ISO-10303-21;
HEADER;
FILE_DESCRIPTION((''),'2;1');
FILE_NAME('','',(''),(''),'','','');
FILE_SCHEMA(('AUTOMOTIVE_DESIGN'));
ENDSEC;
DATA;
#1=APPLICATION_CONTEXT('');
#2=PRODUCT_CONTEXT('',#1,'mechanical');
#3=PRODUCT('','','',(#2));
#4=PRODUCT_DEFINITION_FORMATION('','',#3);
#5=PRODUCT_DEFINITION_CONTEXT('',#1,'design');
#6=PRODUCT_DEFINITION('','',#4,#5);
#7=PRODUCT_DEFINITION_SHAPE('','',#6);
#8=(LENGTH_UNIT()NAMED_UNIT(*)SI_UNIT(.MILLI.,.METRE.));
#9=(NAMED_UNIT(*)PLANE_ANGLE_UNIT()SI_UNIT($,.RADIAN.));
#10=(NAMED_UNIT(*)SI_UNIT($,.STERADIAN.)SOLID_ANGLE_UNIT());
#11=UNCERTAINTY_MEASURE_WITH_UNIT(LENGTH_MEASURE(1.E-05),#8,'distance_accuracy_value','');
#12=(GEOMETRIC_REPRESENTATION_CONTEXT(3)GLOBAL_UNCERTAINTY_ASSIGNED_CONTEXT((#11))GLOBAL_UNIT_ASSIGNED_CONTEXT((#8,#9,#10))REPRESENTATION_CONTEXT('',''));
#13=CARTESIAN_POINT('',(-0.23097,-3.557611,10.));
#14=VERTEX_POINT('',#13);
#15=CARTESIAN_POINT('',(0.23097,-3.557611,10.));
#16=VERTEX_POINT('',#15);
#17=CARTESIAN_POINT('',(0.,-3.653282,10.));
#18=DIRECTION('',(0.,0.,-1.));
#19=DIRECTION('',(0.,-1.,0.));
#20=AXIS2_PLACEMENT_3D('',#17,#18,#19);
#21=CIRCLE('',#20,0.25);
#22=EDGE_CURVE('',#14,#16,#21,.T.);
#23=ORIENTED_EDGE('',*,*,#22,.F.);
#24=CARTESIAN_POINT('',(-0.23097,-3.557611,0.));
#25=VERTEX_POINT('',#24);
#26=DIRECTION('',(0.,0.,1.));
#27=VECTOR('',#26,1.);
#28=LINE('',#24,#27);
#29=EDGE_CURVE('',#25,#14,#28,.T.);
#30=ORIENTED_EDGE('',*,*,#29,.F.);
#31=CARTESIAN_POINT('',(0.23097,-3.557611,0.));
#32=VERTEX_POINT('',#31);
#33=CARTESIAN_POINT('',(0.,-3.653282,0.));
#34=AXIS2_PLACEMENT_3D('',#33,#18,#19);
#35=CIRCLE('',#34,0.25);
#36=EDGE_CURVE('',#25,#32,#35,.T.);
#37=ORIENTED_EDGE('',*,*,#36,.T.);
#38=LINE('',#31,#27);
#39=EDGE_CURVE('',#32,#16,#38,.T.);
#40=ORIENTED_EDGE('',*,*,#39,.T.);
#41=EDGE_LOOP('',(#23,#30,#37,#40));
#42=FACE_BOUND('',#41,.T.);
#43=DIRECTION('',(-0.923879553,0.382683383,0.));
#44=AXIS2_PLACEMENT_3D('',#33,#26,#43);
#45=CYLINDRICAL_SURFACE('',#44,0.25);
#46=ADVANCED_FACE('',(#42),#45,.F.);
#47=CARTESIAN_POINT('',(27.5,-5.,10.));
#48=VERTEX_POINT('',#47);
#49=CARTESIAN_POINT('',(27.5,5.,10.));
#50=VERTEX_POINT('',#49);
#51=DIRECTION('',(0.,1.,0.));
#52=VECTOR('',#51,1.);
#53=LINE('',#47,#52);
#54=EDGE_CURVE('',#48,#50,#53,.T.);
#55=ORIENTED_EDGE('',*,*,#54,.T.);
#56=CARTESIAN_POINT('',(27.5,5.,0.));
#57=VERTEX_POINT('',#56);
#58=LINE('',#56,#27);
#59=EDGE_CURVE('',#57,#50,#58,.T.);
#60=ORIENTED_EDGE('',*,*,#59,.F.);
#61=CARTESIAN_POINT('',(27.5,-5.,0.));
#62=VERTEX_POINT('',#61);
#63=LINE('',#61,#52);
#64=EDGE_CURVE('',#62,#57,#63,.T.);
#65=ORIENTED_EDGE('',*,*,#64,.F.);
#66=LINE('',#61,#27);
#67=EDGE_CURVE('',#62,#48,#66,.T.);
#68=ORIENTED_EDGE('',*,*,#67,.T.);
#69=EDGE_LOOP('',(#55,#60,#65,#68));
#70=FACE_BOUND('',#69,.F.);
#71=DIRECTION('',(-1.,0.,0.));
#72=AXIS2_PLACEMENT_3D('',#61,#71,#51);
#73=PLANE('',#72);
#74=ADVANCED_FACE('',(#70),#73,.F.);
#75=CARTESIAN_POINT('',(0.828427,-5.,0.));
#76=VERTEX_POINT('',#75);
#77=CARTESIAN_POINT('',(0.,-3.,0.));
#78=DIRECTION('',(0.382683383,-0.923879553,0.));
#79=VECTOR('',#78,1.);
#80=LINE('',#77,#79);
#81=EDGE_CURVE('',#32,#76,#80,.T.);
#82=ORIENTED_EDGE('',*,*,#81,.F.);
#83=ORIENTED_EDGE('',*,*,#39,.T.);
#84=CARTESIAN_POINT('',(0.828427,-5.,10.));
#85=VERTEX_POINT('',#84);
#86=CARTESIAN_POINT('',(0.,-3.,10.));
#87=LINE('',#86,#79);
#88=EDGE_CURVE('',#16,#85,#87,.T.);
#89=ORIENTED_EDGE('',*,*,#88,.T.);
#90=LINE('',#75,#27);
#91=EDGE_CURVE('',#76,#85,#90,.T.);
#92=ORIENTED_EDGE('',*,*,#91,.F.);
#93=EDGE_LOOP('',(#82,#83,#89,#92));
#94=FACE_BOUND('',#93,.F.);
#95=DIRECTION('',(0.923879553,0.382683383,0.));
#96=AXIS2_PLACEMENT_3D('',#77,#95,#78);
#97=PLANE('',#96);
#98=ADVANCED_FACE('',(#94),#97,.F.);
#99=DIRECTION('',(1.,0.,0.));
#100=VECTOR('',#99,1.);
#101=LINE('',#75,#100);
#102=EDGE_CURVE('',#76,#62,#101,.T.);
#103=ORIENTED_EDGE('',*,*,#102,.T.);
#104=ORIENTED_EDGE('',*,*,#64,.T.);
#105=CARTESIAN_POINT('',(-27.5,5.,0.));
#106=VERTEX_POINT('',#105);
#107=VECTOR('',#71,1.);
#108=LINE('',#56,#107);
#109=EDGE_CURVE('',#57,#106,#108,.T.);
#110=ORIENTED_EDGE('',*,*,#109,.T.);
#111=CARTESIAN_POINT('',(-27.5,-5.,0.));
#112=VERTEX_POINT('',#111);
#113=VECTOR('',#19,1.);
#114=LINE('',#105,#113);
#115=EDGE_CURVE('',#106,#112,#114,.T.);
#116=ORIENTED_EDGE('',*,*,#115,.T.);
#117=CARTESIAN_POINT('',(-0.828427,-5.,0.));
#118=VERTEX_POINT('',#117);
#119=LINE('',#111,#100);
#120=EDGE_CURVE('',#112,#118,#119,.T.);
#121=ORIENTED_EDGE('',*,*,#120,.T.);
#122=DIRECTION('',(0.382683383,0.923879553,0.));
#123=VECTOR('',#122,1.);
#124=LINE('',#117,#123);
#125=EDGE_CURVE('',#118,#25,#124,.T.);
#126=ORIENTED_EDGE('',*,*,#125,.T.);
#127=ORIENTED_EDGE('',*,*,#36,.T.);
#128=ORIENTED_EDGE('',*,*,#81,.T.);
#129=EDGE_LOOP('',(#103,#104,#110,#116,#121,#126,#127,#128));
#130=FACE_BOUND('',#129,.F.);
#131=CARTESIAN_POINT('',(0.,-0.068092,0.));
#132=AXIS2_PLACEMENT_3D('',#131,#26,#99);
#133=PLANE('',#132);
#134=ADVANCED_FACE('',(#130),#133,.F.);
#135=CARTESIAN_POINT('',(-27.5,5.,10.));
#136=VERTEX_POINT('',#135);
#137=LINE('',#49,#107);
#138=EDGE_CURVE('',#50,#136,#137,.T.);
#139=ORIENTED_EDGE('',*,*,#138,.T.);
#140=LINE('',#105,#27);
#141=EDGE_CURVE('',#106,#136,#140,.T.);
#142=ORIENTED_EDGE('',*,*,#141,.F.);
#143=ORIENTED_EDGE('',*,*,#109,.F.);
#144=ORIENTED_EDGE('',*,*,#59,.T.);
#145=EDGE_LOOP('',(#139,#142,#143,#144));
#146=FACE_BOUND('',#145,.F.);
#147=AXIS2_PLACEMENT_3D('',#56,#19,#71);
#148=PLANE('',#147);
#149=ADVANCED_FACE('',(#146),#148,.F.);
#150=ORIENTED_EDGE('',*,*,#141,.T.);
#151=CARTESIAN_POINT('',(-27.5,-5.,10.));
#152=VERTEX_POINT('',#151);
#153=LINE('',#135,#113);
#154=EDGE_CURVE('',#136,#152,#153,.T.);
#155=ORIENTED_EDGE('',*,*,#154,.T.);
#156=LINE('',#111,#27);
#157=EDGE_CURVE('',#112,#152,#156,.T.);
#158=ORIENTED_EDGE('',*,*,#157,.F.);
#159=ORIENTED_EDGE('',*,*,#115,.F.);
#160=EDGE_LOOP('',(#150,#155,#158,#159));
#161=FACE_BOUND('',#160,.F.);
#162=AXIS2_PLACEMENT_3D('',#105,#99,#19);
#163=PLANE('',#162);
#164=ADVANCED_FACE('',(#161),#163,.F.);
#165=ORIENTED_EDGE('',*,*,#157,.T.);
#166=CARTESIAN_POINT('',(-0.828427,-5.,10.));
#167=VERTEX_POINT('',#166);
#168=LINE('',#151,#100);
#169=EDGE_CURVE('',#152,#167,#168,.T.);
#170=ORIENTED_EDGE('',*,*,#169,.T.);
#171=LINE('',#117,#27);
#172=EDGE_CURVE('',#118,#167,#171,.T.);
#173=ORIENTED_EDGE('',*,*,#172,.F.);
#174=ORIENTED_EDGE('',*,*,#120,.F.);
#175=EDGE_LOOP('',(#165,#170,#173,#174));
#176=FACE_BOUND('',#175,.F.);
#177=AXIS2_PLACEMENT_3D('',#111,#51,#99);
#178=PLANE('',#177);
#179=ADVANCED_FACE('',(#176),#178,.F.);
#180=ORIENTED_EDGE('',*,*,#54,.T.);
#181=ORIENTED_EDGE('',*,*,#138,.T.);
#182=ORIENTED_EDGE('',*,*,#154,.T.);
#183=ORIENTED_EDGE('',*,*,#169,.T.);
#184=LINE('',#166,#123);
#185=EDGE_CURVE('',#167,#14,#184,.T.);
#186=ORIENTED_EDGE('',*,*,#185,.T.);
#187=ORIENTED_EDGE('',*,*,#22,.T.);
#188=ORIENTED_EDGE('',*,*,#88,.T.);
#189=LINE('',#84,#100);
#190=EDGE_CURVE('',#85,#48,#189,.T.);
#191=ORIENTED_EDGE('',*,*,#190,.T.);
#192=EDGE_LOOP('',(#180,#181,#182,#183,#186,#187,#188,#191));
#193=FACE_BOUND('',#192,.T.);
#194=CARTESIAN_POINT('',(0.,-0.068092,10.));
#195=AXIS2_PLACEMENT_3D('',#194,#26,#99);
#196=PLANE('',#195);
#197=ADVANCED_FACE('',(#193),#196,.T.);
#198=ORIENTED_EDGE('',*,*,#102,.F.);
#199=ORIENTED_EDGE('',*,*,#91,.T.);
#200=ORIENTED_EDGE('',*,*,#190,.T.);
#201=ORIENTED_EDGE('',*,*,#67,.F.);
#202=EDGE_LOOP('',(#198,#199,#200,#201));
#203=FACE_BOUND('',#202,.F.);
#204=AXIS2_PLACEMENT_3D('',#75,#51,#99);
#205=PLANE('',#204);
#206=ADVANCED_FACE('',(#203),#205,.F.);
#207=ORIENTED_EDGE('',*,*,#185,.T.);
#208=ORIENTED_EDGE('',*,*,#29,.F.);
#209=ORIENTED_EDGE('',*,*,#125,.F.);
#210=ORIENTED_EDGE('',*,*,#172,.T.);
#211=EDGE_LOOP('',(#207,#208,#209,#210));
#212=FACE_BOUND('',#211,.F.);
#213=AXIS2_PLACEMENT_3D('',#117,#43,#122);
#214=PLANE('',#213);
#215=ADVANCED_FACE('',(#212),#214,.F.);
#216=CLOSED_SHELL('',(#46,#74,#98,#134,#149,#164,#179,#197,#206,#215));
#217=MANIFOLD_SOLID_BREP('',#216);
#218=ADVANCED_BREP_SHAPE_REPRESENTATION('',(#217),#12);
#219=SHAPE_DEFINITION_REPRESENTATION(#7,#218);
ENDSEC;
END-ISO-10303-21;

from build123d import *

# Parameters (mm, degrees)
F1_DEPTH = 10
F2_R     = 0.25


with BuildPart() as f1:
    # F0 (on Top) → F1 (new body)
    with BuildSketch(Plane.XY):
        Polygon((27.5, 5), (-27.5, 5), (-27.5, -5), (-0.828427, -5), (0, -3), (0.828427, -5), (27.5, -5), align=None)
    extrude(amount=F1_DEPTH)

    # F2
    f2_edges = [f1.edges().sort_by_distance(p)[0] for p in [
        (0, -3, 5),
    ]]
    fillet(f2_edges, radius=F2_R)


solid = f1.part
